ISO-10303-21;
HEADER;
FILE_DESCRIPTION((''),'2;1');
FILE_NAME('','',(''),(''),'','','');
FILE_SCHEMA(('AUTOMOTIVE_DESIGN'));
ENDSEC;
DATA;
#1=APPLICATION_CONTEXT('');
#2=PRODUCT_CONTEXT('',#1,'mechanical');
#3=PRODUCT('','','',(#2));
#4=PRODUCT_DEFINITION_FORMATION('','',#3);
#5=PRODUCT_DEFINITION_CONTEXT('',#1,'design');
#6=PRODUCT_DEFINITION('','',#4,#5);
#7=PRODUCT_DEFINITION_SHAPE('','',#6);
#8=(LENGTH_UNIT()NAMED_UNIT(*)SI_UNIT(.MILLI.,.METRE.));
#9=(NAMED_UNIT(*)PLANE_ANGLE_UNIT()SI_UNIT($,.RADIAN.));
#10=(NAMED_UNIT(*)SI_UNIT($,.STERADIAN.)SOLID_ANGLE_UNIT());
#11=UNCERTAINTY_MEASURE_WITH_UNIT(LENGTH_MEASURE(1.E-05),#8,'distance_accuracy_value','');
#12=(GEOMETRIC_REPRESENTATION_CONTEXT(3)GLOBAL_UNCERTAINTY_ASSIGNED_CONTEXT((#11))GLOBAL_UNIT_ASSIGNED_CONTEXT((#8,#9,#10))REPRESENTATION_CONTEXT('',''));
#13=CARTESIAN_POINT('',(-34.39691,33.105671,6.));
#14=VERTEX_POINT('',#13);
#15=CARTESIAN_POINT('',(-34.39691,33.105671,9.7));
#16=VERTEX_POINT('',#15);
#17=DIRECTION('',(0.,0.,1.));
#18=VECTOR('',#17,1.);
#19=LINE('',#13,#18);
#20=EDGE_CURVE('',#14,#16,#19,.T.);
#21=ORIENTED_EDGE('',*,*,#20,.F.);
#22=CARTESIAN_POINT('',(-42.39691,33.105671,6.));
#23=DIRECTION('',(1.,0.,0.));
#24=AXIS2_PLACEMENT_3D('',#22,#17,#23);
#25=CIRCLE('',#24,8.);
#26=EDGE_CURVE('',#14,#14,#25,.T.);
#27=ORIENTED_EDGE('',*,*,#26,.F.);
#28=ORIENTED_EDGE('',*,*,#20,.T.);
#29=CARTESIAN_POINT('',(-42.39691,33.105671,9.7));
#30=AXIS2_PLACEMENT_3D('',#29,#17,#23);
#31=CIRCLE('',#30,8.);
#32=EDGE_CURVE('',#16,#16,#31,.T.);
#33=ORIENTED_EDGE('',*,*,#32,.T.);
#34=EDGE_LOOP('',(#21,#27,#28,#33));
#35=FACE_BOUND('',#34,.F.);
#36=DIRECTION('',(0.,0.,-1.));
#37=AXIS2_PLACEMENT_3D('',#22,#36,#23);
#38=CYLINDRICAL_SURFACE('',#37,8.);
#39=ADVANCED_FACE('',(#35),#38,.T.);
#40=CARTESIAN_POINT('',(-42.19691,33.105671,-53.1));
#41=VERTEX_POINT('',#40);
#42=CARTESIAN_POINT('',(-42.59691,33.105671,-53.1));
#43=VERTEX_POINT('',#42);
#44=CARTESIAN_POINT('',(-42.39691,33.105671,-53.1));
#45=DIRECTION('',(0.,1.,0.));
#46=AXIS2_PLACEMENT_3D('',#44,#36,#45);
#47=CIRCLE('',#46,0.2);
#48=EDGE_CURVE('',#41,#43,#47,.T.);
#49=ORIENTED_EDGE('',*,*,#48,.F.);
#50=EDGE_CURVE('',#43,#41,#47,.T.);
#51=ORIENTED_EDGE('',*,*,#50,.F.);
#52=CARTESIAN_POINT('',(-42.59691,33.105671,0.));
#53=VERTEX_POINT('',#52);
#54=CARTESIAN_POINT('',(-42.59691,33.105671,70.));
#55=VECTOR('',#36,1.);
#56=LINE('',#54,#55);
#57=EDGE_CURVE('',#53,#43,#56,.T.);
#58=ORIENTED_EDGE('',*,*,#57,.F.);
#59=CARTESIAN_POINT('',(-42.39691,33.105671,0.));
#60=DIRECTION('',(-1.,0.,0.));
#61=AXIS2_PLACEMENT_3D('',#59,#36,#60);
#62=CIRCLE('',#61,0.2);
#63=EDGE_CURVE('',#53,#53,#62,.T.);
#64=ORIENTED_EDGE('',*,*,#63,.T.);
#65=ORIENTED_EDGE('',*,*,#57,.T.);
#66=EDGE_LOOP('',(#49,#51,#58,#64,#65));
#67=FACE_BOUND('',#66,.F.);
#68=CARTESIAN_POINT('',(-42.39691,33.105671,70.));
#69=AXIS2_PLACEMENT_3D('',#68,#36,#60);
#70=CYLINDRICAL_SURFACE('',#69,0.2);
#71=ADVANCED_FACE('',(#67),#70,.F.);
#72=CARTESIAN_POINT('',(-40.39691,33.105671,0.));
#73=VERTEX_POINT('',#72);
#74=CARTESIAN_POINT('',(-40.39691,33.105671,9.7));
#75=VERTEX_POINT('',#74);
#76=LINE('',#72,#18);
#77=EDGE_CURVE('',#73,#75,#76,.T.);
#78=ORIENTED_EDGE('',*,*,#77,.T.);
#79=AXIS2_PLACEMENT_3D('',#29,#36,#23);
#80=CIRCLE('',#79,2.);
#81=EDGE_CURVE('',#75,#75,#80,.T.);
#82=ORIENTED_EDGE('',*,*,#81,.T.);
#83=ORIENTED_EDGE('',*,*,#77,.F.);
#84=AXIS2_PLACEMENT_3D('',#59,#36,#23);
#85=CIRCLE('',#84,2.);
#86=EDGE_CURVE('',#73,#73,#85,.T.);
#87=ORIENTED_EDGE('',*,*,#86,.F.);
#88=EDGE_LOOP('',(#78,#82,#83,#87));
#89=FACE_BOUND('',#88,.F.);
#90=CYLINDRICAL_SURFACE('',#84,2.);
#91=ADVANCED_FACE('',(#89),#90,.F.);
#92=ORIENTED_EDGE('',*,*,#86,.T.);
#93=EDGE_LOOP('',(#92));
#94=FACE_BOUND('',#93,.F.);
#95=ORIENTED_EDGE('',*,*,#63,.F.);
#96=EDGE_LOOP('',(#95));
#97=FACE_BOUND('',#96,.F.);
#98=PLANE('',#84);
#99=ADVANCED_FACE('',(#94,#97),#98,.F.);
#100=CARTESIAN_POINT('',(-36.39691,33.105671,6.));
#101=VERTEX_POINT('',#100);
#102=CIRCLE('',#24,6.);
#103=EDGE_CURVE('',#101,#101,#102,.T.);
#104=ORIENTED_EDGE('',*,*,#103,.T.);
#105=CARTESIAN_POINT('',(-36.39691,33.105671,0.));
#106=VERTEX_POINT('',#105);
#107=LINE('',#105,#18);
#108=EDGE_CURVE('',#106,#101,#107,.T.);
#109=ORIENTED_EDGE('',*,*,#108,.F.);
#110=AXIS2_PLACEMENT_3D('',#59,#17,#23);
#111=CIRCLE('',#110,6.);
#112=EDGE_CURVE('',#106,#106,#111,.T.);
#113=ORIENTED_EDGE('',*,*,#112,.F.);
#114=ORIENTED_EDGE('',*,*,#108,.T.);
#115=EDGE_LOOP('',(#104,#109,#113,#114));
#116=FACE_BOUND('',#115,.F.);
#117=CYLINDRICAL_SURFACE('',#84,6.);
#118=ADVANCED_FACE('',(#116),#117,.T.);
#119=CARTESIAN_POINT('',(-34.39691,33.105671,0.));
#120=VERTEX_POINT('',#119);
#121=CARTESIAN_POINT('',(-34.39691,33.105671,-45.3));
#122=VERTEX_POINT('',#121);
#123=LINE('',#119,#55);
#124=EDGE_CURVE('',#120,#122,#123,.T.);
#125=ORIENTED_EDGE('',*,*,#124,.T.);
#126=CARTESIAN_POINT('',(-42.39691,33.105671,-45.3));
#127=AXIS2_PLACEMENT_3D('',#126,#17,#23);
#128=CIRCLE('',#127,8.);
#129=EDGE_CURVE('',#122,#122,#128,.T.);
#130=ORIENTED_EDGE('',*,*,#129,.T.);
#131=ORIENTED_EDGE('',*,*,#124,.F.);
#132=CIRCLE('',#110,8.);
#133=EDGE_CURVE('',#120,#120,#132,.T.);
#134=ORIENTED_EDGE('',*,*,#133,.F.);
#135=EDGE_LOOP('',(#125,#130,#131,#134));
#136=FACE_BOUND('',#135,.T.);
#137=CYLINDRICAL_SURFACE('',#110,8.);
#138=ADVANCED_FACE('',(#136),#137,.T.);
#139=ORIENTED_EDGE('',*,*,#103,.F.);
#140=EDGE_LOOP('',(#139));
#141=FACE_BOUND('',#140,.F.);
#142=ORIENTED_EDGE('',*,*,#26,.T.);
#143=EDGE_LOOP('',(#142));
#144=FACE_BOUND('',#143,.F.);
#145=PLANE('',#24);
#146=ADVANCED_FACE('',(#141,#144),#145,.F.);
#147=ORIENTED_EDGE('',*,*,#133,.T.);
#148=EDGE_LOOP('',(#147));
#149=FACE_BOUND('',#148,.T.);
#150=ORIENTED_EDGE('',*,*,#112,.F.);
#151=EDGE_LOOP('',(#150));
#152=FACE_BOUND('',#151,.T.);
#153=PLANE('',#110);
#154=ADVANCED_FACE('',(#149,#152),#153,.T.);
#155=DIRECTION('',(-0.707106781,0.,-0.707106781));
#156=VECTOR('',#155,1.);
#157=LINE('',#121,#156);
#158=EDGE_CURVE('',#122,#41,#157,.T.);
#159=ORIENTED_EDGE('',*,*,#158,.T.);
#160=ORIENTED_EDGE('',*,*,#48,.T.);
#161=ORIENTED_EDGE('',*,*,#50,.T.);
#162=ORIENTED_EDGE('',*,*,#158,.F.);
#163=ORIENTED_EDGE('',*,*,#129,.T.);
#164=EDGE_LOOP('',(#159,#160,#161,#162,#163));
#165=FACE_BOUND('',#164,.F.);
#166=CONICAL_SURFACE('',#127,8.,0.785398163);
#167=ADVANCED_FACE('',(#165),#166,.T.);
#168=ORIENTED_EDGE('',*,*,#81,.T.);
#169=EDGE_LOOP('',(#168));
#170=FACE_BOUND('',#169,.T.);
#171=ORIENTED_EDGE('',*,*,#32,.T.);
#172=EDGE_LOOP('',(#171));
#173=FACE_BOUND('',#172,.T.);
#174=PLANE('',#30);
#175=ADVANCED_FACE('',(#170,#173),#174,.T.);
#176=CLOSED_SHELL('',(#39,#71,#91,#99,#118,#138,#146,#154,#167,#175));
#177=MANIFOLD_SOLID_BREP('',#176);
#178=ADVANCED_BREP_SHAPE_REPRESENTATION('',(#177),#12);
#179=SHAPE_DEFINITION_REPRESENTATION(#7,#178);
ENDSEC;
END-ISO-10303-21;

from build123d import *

# Parameters (mm, degrees)
F0_R     = 8
F0_R_2   = 6
F1_DEPTH = 53.3
F2_DEPTH = 6
F3_START = 6
F3_DEPTH = 3.7
F4_SIZE  = 8
F5_D     = 4
F5_DEPTH = 20
F5_TIP   = 1.2017212381
F6_D     = 0.4
F6_DEPTH = 70
F6_TIP   = 0.1201721238


with BuildPart() as f1:
    # F0 (on Top) → F1 (new body)
    with BuildSketch(Plane.XY):
        with Locations((-42.3969104886, 33.1056714058)):
            Circle(F0_R)
        with Locations((-42.3969104886, 33.1056714058)):
            Circle(F0_R_2, mode=Mode.SUBTRACT)
        with Locations((-42.3969104886, 33.1056714058)):
            Circle(F0_R_2)
    extrude(amount=-F1_DEPTH)

    # F0 (on Top) → F2 (join)
    with BuildSketch(Plane.XY):
        with Locations((-42.3969104886, 33.1056714058)):
            Circle(F0_R_2)
    extrude(amount=F2_DEPTH)

    # F0 (on Top) → F3 (join)
    with BuildSketch(Plane.XY.offset(F3_START)):
        with Locations((-42.3969104886, 33.1056714058)):
            Circle(F0_R)
        with Locations((-42.3969104886, 33.1056714058)):
            Circle(F0_R_2, mode=Mode.SUBTRACT)
        with Locations((-42.3969104886, 33.1056714058)):
            Circle(F0_R_2)
    extrude(amount=F3_DEPTH)

    # F4
    f4_edges = [f1.edges().sort_by_distance(p)[0] for p in [
        (-50.39691, 33.105671, -53.3),
    ]]
    chamfer(f4_edges, length=F4_SIZE)

    # F5 (one way)
    with BuildSketch(Plane(origin=(0, 0, 0), x_dir=(1, 0, 0), z_dir=(0, 0, -1))):
        with Locations((-42.3969104886, -33.1056714058)):
            Circle(F5_D / 2)
    extrude(amount=-F5_DEPTH, mode=Mode.SUBTRACT)
    with Locations(Plane(origin=(0, 0, 0), x_dir=(1, 0, 0), z_dir=(0, 0, -1))):
        with Locations((-42.3969104886, -33.1056714058)):
            with Locations((0, 0, -(F5_DEPTH + F5_TIP / 2))):  # 118° drill point
                Cone(0, F5_D / 2, F5_TIP, mode=Mode.SUBTRACT)

    # F6
    with Locations(Plane.XY):
        with Locations((-42.3969104886, 33.1056714058)):
            Hole(F6_D / 2, depth=F6_DEPTH)
            with Locations((0, 0, -(F6_DEPTH + F6_TIP / 2))):  # 118° drill point
                Cone(0, F6_D / 2, F6_TIP, mode=Mode.SUBTRACT)


solid = f1.part
